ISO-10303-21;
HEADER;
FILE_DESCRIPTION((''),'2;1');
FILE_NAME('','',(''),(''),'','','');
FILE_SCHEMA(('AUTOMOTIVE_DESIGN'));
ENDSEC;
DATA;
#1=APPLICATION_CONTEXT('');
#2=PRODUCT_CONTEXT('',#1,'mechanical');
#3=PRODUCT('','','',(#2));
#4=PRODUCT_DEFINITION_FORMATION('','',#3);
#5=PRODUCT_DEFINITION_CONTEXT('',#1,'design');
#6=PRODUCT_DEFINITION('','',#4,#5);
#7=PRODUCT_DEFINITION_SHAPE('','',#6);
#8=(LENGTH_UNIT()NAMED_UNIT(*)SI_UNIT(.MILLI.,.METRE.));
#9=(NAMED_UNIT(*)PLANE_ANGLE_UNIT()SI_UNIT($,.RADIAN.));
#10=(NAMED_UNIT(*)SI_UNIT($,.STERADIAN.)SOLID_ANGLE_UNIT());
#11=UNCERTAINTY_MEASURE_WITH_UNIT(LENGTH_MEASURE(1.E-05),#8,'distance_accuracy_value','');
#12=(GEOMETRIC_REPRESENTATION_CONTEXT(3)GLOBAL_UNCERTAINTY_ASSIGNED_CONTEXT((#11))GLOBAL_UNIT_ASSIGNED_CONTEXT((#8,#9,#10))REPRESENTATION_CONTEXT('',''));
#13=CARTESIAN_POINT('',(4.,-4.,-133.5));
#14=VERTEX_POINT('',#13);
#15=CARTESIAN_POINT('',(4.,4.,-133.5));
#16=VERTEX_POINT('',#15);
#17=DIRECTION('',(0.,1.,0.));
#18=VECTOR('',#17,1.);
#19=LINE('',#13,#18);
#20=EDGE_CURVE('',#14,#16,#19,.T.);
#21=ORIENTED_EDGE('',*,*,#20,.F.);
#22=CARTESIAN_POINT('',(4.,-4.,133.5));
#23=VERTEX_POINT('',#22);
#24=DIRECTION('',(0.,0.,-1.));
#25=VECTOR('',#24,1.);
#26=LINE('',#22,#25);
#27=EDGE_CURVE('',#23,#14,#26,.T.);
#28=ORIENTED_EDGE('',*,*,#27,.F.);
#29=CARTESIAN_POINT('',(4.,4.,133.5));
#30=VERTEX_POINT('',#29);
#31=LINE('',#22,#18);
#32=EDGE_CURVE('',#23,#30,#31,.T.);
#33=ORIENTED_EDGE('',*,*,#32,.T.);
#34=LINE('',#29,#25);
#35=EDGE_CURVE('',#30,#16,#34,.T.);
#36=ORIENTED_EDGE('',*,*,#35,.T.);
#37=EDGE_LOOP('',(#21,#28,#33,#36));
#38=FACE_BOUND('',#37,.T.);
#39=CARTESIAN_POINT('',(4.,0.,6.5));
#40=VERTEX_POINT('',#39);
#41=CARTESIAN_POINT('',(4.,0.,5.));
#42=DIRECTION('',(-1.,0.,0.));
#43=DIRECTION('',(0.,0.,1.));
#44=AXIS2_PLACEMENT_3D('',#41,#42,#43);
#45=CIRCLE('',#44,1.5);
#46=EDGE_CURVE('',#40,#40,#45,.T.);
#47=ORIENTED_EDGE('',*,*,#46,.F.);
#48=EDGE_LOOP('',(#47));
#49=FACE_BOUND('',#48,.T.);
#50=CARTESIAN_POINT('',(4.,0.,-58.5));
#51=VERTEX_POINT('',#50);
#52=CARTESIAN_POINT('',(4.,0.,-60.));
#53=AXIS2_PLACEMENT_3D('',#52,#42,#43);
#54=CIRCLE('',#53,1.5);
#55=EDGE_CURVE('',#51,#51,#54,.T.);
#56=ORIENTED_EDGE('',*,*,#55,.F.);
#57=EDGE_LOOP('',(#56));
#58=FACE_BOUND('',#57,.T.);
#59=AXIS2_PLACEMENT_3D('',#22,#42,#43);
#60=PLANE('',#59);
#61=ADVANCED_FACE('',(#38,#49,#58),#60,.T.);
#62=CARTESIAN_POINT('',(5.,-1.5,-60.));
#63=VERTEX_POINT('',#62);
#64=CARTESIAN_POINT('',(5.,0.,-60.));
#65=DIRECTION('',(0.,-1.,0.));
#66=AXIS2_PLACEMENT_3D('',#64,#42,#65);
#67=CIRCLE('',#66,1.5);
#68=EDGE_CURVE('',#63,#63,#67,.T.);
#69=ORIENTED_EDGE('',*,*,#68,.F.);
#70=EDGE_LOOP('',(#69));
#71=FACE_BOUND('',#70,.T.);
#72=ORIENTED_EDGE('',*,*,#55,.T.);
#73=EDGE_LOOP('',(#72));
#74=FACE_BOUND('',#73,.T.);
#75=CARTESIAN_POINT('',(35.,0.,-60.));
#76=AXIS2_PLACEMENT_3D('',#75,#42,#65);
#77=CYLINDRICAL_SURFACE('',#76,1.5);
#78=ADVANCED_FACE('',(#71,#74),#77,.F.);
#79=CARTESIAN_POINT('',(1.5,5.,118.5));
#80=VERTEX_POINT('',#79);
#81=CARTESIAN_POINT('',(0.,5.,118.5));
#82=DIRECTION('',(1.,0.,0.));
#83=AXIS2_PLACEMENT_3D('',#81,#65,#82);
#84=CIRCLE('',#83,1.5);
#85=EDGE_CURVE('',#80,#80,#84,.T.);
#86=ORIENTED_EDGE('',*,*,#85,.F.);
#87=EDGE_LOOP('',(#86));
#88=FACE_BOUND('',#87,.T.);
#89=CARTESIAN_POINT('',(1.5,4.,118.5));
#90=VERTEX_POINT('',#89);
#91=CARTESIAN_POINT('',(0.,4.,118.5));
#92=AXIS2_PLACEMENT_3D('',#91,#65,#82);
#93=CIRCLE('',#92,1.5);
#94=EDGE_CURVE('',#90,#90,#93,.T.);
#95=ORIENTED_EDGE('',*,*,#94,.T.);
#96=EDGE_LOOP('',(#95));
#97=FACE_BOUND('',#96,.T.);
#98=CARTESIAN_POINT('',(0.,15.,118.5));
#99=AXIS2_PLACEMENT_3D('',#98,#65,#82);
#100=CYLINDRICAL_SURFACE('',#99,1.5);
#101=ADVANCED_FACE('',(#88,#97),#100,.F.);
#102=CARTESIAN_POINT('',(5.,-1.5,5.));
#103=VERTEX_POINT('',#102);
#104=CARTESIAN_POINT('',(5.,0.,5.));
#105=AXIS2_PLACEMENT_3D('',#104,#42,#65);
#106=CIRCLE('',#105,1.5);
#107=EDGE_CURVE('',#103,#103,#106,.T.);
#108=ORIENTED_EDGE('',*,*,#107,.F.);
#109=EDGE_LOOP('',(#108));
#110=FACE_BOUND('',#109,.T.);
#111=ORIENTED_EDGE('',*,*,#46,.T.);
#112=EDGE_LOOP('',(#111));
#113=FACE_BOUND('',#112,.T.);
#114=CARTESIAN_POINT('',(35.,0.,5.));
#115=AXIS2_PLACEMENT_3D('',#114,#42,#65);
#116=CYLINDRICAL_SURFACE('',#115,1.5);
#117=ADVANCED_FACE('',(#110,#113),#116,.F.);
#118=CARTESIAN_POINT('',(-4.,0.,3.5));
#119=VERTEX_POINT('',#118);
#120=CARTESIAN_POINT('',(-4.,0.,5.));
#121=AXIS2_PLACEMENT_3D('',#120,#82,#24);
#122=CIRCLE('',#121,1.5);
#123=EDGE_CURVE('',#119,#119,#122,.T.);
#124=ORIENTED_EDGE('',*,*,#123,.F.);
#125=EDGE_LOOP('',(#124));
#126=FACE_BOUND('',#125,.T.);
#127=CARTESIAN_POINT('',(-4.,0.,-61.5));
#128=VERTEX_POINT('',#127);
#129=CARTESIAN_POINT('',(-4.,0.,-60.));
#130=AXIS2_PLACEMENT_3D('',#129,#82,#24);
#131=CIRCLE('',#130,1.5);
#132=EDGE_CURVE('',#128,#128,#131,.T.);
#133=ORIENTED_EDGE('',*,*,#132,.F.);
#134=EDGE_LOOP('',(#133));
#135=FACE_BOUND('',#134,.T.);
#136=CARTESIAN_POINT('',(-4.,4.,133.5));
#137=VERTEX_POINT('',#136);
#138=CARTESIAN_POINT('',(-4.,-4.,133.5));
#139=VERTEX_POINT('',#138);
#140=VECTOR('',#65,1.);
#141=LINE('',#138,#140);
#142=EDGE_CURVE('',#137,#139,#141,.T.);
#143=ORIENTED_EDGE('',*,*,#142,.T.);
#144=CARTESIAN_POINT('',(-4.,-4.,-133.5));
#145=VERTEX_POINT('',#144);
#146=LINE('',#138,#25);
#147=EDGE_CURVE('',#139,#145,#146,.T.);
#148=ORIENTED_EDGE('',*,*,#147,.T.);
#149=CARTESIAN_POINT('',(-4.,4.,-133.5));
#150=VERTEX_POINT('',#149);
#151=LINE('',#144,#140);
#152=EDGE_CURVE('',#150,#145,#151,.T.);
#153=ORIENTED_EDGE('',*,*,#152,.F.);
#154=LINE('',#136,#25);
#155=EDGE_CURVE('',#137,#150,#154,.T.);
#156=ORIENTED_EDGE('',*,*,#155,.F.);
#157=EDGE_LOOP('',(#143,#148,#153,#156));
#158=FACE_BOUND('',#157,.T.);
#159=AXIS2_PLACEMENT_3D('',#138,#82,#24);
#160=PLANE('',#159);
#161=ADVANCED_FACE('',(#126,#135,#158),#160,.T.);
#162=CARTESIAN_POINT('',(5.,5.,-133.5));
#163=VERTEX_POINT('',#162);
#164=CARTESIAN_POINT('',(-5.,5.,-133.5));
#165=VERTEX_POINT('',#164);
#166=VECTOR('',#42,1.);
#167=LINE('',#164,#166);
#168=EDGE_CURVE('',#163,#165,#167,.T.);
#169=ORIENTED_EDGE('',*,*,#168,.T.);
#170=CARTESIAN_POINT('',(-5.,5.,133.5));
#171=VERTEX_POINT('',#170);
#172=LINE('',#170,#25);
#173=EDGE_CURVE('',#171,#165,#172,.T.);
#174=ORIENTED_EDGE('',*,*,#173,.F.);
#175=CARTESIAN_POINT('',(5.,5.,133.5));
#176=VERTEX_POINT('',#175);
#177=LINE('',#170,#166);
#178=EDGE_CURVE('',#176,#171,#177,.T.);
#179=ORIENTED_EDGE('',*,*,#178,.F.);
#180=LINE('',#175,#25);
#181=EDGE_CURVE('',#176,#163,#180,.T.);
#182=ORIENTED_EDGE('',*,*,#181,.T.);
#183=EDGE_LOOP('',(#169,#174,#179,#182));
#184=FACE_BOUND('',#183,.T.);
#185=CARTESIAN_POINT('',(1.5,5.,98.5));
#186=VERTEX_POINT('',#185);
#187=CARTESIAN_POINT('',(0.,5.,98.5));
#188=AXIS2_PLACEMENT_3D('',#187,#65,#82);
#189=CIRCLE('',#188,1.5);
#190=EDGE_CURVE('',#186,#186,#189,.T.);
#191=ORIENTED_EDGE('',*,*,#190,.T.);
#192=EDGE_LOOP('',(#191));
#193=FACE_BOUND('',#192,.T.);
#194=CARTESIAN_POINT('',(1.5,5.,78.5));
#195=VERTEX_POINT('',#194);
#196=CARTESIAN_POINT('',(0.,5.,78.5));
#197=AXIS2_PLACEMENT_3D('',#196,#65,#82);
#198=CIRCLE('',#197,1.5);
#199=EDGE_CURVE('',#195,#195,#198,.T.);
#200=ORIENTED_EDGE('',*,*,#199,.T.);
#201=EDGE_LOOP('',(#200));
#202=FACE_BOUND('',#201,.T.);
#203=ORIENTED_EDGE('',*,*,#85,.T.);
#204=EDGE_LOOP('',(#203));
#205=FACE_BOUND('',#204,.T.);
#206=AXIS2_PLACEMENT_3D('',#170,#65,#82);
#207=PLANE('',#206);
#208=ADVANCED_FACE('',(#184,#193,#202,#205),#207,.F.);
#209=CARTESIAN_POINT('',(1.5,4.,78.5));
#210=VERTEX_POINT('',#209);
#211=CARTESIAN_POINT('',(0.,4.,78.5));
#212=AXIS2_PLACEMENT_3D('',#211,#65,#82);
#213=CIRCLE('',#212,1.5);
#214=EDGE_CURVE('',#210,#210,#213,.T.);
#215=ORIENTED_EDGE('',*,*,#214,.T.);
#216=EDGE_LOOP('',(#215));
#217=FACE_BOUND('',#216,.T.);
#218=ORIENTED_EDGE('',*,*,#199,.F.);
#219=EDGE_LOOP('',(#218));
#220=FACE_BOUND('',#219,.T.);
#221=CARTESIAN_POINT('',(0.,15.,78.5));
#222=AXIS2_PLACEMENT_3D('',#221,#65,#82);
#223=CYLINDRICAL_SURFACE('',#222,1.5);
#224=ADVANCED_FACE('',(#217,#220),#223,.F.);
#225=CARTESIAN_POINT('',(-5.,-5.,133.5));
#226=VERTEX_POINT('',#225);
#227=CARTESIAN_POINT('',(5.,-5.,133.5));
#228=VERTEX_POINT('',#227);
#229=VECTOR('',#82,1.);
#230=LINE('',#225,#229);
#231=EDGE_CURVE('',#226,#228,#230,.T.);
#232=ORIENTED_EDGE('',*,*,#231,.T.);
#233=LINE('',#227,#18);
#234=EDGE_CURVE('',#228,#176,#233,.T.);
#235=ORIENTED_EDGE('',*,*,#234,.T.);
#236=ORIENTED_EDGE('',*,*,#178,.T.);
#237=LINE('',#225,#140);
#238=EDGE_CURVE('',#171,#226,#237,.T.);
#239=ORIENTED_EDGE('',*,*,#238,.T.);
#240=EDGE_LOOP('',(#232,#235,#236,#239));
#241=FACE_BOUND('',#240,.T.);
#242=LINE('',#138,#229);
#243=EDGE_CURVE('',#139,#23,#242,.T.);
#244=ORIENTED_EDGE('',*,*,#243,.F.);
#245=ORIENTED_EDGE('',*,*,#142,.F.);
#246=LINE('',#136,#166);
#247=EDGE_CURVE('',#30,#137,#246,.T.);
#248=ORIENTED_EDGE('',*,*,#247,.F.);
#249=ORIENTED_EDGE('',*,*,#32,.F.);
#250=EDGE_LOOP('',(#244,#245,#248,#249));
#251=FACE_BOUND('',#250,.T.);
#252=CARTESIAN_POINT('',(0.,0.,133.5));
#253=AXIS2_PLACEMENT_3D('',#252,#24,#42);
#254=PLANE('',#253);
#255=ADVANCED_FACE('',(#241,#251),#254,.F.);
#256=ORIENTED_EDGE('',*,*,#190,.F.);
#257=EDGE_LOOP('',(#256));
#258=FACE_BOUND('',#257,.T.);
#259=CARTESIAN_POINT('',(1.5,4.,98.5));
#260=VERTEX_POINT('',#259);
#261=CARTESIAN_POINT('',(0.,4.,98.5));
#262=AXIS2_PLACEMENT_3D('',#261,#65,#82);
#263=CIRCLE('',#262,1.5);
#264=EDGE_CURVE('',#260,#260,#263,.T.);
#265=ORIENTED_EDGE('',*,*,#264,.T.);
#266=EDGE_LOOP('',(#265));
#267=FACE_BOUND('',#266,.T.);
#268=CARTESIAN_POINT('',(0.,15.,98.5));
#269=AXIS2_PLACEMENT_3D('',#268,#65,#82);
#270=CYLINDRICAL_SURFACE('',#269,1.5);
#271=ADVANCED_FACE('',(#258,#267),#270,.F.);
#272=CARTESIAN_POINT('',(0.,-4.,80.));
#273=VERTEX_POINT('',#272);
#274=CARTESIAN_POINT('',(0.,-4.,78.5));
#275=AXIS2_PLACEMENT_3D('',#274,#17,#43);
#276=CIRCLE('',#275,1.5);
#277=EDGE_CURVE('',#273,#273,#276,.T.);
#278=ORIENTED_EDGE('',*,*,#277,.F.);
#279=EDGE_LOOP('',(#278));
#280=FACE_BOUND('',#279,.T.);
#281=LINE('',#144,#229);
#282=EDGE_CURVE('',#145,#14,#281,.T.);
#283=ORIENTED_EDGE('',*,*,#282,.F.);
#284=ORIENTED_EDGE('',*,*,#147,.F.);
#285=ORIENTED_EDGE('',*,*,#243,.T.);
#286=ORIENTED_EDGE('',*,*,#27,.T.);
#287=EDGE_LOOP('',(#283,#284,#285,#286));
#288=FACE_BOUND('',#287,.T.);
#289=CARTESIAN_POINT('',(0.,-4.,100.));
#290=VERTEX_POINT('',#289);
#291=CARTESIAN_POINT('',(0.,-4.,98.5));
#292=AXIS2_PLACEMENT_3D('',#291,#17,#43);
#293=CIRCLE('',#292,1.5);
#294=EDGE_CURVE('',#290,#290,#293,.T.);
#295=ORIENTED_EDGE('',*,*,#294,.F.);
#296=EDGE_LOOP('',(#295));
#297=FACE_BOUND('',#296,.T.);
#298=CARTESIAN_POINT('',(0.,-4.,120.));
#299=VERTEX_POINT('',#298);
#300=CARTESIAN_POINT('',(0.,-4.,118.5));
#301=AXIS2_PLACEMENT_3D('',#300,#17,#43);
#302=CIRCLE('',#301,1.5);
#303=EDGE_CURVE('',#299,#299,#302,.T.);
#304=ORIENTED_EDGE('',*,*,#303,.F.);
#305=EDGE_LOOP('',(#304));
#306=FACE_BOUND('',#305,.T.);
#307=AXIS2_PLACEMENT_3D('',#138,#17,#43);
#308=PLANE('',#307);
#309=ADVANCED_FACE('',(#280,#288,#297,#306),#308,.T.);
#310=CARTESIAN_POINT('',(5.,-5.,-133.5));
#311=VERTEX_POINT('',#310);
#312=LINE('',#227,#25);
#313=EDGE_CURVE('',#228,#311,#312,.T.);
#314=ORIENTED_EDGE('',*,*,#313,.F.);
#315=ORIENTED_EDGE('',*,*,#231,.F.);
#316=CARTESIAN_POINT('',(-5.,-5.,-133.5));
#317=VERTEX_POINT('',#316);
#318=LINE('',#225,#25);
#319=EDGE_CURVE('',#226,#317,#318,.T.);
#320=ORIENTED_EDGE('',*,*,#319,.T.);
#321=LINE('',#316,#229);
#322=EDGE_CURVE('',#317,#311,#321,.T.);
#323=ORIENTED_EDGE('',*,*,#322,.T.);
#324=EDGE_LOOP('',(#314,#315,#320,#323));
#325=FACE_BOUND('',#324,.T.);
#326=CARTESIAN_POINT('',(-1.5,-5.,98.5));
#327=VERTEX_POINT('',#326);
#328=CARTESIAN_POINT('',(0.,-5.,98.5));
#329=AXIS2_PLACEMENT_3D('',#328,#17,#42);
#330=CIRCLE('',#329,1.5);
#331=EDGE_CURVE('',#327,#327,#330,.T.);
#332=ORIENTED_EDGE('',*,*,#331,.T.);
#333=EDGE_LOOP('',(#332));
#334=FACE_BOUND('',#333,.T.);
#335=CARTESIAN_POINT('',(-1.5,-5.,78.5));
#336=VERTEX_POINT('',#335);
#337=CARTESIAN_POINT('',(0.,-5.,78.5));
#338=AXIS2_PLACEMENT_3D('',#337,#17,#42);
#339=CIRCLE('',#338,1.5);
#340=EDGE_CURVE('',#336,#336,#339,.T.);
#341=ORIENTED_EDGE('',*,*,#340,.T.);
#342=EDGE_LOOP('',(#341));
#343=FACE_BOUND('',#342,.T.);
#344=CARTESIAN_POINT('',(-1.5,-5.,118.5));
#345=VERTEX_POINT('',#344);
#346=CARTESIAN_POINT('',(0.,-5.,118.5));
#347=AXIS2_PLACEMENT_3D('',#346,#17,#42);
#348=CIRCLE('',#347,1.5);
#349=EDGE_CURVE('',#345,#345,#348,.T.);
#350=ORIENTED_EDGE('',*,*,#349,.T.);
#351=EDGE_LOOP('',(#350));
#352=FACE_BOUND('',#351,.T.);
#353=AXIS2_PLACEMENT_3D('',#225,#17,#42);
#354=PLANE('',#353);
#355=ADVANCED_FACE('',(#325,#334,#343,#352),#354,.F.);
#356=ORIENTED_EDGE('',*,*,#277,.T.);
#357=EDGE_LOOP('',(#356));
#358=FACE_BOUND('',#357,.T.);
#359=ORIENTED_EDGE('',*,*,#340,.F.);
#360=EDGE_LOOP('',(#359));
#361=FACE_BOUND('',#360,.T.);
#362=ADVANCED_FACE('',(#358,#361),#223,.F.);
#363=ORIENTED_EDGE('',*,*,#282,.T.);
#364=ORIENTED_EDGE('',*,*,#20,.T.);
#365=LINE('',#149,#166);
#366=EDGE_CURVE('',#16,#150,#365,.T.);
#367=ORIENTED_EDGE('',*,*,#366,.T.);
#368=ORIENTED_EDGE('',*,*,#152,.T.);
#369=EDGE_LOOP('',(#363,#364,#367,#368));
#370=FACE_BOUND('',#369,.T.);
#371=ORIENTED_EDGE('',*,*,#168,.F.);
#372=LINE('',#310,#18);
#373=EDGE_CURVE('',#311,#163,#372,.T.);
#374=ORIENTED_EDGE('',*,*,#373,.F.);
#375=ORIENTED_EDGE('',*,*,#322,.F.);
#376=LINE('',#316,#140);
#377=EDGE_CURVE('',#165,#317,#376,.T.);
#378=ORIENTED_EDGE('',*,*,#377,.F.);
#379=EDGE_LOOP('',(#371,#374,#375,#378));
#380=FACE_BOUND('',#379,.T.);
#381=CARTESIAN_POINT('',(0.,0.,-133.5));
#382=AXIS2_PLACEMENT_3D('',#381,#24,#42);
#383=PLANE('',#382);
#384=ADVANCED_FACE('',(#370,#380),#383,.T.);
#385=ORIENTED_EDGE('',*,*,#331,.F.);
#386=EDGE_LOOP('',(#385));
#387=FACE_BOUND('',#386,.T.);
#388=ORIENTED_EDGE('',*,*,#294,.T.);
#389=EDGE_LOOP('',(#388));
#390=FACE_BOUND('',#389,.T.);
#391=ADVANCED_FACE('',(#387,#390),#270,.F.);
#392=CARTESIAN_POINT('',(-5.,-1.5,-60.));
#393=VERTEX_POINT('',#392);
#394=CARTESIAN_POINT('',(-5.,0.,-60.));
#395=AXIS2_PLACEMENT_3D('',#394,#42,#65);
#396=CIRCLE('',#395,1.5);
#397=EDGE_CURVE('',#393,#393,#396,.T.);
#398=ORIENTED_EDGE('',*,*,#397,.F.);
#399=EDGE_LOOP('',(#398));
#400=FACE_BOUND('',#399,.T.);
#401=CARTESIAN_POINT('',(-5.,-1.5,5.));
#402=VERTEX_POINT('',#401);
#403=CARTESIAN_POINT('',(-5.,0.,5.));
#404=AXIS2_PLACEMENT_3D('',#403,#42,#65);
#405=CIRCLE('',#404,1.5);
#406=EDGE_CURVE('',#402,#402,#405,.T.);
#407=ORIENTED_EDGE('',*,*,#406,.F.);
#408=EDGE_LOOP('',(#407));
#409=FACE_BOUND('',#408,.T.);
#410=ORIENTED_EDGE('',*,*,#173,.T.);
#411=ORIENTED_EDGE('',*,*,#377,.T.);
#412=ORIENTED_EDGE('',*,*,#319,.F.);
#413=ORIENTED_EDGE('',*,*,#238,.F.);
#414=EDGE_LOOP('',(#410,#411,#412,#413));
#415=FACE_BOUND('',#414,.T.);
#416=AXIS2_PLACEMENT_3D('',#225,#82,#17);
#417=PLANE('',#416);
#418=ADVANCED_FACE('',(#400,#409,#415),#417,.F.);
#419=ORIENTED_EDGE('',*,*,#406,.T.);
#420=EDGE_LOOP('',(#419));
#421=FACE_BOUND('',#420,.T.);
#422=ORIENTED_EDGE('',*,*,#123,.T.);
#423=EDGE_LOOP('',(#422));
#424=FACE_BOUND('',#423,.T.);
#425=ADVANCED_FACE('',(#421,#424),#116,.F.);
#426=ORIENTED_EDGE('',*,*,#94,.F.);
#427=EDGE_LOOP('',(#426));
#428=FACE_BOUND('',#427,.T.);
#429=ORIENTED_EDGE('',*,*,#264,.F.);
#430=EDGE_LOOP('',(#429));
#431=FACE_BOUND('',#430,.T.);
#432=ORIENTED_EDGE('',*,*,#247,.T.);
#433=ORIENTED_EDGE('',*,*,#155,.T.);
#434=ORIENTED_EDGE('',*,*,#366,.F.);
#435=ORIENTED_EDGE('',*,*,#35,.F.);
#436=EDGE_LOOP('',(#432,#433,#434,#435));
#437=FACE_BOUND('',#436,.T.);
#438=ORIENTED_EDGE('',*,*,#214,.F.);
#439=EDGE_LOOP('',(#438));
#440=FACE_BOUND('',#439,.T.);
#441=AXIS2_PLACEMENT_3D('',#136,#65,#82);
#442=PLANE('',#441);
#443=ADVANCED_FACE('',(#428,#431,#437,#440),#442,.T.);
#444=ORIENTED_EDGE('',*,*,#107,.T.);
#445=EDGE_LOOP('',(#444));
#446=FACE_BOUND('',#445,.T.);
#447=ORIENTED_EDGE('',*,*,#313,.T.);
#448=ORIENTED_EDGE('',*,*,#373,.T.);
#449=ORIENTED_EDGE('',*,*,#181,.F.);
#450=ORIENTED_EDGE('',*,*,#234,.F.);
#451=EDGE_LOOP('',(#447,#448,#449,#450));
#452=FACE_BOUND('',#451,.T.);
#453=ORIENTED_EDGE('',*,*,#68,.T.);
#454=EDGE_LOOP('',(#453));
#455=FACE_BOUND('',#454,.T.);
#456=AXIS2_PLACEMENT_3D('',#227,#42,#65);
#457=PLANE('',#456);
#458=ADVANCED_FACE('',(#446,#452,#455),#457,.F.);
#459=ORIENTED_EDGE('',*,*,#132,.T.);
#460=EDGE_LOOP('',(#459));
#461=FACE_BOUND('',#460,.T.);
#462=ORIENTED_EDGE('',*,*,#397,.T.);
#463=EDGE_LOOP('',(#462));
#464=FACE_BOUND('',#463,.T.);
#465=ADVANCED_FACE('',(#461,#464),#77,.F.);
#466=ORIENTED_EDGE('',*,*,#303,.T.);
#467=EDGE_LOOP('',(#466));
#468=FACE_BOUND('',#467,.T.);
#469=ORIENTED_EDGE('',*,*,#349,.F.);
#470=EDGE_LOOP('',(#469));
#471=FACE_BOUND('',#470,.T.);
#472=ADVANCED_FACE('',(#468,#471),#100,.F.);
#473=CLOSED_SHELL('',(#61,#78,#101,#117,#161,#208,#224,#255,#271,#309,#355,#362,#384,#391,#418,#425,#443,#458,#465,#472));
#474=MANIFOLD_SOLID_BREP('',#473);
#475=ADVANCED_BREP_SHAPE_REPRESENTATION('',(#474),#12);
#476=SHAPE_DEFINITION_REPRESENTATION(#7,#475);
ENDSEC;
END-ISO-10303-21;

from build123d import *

# Parameters (mm, degrees)
SKETCH_1_W          = 10
SKETCH_1_H          = 10
SKETCH_1_W_2        = 8
SKETCH_1_H_2        = 8
EXTRUDE_1_DEPTH     = 133.5
SKETCH_2_R          = 1.5
CUT_EXTRUDE_1_DEPTH = 20
SKETCH_3_R          = 1.5
CUT_EXTRUDE_2_DEPTH = 40


with BuildPart() as part:
    # 草图1 → 凸台-拉伸1 (new, symmetric)
    with BuildSketch(Plane.XY):
        Rectangle(SKETCH_1_W, SKETCH_1_H)
        Rectangle(SKETCH_1_W_2, SKETCH_1_H_2, mode=Mode.SUBTRACT)
    extrude(amount=EXTRUDE_1_DEPTH, both=True)

    # 草图2 → 切除-拉伸1 (cut, symmetric)
    with BuildSketch(Plane.XZ.offset(5)):
        with Locations((0, 118.5)):
            Circle(SKETCH_2_R)
        with Locations((0, 98.5)):
            Circle(SKETCH_2_R)
        with Locations((0, 78.5)):
            Circle(SKETCH_2_R)
    extrude(amount=CUT_EXTRUDE_1_DEPTH, both=True, mode=Mode.SUBTRACT)

    # 草图3 → 切除-拉伸2 (cut)
    with BuildSketch(Plane.ZY.offset(5)):
        with Locations(Location((-60, 0, 0), (0, 0, 270))):
            Circle(SKETCH_3_R)
        with Locations(Location((5, 0, 0), (0, 0, 270))):
            Circle(SKETCH_3_R)
    extrude(amount=-CUT_EXTRUDE_2_DEPTH, mode=Mode.SUBTRACT)


solid = part.part
